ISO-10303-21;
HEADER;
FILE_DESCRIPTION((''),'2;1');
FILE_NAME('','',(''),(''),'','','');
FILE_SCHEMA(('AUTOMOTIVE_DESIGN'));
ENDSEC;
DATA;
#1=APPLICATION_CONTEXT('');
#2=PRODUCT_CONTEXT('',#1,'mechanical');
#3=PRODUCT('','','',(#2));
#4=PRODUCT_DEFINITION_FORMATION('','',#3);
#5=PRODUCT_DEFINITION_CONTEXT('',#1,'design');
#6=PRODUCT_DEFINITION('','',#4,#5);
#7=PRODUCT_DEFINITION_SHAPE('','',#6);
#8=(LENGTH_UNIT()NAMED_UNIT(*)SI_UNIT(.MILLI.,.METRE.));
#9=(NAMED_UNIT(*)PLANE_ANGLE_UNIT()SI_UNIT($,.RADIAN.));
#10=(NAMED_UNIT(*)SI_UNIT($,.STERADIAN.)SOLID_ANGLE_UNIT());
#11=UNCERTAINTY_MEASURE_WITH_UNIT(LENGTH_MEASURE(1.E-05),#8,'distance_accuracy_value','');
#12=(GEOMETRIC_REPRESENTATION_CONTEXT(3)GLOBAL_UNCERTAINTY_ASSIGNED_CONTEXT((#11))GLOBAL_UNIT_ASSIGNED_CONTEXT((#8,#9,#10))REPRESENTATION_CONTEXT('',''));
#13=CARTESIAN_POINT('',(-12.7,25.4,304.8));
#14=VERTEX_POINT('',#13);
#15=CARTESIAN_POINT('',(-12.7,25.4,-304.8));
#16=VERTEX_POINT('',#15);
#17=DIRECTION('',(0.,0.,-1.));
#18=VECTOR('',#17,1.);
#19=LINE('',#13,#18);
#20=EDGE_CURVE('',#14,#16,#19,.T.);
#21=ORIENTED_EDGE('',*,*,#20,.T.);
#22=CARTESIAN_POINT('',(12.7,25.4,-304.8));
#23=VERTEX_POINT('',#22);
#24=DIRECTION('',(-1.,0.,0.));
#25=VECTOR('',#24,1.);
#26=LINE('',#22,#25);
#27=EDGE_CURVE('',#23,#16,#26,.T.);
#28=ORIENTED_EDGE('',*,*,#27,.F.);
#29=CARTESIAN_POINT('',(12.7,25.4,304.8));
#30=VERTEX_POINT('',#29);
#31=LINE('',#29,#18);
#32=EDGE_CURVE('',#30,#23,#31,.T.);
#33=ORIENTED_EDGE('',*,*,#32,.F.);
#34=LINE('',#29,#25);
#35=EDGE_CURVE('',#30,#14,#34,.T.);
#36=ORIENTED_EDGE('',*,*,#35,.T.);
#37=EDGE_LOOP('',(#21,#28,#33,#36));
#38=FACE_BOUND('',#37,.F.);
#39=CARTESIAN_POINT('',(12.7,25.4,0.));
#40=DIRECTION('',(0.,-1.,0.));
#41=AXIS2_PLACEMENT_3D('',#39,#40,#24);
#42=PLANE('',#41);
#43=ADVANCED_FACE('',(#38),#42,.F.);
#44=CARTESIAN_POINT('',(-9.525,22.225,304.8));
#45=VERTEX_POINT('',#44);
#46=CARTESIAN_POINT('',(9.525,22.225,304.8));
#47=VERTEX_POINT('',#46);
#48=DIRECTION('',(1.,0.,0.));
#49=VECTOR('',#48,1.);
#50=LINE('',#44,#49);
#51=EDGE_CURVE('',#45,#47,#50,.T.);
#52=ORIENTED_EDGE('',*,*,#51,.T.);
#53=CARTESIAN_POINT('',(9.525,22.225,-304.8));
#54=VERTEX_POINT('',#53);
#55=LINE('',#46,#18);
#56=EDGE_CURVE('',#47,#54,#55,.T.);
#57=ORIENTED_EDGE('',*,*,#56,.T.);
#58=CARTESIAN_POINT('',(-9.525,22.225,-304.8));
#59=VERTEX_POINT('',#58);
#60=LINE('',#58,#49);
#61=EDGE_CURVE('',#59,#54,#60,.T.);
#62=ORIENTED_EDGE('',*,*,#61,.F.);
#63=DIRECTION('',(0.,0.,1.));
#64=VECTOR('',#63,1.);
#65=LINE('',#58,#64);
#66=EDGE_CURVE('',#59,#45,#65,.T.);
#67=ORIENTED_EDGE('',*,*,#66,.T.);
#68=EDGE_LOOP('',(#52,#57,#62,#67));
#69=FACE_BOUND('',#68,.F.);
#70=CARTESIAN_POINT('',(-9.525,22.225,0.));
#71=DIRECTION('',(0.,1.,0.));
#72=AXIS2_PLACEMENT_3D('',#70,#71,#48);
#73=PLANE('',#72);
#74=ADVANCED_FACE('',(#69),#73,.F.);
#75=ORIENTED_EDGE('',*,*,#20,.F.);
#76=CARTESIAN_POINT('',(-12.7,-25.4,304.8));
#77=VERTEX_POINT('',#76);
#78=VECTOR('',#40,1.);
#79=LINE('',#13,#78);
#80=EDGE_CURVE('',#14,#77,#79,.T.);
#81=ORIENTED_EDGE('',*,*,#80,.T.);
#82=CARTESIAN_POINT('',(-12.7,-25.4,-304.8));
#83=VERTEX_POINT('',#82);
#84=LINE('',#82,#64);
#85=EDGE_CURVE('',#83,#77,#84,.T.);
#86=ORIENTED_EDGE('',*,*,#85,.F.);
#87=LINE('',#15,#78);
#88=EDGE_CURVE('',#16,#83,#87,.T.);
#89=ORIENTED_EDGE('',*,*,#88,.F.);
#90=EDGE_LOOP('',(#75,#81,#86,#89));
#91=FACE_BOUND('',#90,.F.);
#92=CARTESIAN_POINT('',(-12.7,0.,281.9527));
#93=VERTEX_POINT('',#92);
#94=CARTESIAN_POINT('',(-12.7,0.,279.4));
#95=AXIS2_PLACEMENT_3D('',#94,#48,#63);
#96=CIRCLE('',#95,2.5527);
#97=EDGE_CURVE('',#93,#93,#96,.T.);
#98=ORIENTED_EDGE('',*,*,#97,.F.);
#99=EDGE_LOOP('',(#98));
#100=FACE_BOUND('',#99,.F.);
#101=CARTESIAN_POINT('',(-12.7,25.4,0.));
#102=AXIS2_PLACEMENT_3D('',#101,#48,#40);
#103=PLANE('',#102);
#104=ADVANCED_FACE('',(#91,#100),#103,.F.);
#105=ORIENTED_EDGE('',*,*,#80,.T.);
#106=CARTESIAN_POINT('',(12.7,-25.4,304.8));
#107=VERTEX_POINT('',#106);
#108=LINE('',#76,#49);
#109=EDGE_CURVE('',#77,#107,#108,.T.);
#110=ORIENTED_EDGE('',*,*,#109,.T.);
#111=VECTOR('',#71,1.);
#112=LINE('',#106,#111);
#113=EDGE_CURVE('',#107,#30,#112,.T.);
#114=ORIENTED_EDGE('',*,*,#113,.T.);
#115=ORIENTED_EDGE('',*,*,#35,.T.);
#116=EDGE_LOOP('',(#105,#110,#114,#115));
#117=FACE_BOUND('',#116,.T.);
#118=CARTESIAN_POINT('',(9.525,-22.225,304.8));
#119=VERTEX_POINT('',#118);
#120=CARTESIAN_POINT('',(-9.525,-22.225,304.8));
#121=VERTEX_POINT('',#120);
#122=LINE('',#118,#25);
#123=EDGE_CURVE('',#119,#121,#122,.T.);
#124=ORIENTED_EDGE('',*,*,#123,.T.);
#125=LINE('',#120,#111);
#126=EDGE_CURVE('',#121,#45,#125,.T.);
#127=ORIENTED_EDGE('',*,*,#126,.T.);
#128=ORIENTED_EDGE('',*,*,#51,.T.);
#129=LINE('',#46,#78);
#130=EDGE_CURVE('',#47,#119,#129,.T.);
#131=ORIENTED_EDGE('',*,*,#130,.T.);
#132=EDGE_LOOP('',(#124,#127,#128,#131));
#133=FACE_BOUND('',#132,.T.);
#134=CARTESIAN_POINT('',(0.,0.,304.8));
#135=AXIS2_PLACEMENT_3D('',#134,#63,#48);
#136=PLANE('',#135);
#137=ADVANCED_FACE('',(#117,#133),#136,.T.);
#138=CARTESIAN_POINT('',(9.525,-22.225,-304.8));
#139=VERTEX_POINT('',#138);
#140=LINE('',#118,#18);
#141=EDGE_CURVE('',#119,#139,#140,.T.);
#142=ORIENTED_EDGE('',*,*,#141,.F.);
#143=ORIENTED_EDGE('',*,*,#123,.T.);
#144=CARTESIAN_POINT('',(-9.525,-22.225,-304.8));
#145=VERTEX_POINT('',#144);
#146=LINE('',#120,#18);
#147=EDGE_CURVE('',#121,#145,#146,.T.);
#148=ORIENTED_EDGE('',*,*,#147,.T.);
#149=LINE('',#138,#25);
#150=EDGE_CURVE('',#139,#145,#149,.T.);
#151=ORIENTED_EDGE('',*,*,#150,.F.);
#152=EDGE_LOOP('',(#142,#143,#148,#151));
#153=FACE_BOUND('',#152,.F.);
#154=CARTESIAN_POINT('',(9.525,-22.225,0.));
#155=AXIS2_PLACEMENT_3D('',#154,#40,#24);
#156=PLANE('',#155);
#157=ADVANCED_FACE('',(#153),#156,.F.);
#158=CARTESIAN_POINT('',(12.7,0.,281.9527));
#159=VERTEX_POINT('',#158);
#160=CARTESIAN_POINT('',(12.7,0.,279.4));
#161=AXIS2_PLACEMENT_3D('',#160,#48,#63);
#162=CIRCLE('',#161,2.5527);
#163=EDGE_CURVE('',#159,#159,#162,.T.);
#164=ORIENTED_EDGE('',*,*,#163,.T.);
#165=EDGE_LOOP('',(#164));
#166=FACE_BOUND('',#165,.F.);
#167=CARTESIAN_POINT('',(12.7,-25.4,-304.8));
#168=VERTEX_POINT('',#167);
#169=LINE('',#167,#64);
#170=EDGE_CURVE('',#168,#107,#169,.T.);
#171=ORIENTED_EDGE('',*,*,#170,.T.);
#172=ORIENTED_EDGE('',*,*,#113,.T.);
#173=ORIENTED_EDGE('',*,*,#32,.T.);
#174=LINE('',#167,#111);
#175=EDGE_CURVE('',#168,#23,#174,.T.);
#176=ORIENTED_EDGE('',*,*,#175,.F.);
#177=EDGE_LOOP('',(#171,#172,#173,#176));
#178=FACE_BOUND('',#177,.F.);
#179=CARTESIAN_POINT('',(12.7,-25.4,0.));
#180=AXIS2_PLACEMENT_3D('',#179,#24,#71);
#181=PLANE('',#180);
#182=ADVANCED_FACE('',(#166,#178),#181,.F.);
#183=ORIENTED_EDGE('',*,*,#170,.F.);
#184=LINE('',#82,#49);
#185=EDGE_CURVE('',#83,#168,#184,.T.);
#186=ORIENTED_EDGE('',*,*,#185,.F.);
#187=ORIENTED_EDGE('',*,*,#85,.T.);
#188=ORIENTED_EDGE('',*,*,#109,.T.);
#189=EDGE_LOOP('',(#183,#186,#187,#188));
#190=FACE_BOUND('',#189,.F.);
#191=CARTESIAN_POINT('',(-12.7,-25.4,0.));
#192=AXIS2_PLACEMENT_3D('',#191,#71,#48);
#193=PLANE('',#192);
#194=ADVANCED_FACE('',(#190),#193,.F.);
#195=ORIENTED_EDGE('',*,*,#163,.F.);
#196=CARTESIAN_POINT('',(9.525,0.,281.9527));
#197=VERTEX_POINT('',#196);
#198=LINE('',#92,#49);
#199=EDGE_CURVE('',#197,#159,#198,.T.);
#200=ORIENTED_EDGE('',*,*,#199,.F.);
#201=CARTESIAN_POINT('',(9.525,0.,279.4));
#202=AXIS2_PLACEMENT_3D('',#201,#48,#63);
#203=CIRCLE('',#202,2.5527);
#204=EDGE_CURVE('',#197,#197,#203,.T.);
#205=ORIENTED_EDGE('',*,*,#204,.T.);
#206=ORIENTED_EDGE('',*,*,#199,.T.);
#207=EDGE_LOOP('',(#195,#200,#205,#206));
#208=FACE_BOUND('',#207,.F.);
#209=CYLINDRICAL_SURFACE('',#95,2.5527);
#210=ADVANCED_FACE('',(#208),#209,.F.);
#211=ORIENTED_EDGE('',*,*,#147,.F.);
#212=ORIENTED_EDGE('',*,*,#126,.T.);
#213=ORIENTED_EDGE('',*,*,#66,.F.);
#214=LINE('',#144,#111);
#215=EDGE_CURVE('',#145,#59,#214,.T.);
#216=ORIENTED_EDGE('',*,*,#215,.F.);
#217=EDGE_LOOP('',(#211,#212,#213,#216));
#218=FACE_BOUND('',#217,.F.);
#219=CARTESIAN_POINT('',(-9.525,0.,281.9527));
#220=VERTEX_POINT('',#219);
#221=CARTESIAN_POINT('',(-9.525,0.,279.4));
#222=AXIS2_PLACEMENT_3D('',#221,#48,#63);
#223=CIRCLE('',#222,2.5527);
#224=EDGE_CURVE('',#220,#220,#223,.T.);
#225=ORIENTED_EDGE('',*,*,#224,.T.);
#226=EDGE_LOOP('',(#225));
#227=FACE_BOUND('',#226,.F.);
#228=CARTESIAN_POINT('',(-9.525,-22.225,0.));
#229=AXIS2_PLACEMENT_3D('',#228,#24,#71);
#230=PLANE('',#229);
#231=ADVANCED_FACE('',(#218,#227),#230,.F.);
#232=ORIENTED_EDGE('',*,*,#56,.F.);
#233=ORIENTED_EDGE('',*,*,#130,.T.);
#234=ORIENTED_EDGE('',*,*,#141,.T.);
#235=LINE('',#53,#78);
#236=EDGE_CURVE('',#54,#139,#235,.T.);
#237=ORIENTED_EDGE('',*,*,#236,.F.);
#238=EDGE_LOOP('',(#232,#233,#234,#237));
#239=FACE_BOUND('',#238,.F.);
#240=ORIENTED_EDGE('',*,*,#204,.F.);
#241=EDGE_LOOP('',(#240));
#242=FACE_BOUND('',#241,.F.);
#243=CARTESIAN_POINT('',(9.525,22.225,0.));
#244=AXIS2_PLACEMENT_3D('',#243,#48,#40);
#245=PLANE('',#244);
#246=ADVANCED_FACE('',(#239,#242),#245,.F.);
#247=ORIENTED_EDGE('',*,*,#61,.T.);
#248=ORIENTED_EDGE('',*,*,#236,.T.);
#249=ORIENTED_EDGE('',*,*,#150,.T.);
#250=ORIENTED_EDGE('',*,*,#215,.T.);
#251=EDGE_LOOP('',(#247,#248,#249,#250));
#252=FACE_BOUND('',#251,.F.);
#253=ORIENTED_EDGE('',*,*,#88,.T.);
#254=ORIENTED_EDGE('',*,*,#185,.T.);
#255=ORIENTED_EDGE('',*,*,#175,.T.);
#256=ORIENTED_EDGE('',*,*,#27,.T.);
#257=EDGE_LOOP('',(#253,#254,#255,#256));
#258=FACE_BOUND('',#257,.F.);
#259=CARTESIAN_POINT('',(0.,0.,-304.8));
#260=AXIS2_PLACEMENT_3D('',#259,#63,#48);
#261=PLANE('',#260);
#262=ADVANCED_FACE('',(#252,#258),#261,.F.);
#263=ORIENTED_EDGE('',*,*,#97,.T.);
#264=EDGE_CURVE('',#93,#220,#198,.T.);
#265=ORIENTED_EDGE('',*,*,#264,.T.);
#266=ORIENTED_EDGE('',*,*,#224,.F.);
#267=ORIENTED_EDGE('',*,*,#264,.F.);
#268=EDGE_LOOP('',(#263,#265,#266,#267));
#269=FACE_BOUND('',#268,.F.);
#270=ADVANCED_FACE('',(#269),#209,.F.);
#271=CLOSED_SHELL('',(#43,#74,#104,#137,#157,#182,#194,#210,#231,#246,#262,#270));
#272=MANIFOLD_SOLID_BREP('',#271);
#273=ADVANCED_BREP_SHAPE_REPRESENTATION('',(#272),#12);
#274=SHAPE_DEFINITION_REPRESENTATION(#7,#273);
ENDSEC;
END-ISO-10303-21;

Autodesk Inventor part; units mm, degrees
ref_plane "YZ Plane" through (0, 0, 0) normal (1, 0, 0) x (0, 1, 0)
ref_plane "XZ Plane" through (0, 0, 0) normal (0, 1, 0) x (-1, 0, 0)
ref_plane "XY Plane" through (0, 0, 0) normal (0, 0, 1) x (1, 0, 0)
sketch "Sketch1" plane through (0, 0, 0) normal (0, 0, 1) x (1, 0, 0)
  line L0 (-12.7, -25.4) -> (12.7, -25.4)
  line L1 (12.7, -25.4) -> (12.7, 25.4)
  line L2 (12.7, 25.4) -> (-12.7, 25.4)
  line L3 (-12.7, 25.4) -> (-12.7, -25.4)
  line L4 (-12.7, -25.4) -> (12.7, 25.4) construction
  line L5 (12.7, -25.4) -> (-12.7, 25.4) construction
  line L6 (-9.525, 22.225) -> (9.525, 22.225)
  line L7 (9.525, 22.225) -> (9.525, -22.225)
  line L8 (9.525, -22.225) -> (-9.525, -22.225)
  line L9 (-9.525, -22.225) -> (-9.525, 22.225)
  point P0 (0, 0)
  dimension "width" = 25.4
  dimension "height" = 50.8
  dimension "thickness" = 3.175
extrude "Extrusion1" add sketch "Sketch1" along normal mid plane 609.6
sketch "Sketch2" plane through (-12.7, -25.4, 304.8) normal (-1, 0, 0) x (0, 0, 1)
  line L0 (0, 50.8) -> (0, 0) projected
  point P0 (-304.8, 25.4)
  point P1 (-25.4, 25.4)
  point P2 (0, 25.4)
  point P3 (0, 25.4)
  dimension "d5" = 25.4
hole "Hole1" at (-12.7, 0, 279.4) direction (1, 0, 0) diameter 5.1054 end through all clearance for "Flat Head Machine Screw (82)" size "#10" standard "Ansi Unified Screw Threads"
properties part number "EL1-004 ARM" material "Aluminum 6061"
